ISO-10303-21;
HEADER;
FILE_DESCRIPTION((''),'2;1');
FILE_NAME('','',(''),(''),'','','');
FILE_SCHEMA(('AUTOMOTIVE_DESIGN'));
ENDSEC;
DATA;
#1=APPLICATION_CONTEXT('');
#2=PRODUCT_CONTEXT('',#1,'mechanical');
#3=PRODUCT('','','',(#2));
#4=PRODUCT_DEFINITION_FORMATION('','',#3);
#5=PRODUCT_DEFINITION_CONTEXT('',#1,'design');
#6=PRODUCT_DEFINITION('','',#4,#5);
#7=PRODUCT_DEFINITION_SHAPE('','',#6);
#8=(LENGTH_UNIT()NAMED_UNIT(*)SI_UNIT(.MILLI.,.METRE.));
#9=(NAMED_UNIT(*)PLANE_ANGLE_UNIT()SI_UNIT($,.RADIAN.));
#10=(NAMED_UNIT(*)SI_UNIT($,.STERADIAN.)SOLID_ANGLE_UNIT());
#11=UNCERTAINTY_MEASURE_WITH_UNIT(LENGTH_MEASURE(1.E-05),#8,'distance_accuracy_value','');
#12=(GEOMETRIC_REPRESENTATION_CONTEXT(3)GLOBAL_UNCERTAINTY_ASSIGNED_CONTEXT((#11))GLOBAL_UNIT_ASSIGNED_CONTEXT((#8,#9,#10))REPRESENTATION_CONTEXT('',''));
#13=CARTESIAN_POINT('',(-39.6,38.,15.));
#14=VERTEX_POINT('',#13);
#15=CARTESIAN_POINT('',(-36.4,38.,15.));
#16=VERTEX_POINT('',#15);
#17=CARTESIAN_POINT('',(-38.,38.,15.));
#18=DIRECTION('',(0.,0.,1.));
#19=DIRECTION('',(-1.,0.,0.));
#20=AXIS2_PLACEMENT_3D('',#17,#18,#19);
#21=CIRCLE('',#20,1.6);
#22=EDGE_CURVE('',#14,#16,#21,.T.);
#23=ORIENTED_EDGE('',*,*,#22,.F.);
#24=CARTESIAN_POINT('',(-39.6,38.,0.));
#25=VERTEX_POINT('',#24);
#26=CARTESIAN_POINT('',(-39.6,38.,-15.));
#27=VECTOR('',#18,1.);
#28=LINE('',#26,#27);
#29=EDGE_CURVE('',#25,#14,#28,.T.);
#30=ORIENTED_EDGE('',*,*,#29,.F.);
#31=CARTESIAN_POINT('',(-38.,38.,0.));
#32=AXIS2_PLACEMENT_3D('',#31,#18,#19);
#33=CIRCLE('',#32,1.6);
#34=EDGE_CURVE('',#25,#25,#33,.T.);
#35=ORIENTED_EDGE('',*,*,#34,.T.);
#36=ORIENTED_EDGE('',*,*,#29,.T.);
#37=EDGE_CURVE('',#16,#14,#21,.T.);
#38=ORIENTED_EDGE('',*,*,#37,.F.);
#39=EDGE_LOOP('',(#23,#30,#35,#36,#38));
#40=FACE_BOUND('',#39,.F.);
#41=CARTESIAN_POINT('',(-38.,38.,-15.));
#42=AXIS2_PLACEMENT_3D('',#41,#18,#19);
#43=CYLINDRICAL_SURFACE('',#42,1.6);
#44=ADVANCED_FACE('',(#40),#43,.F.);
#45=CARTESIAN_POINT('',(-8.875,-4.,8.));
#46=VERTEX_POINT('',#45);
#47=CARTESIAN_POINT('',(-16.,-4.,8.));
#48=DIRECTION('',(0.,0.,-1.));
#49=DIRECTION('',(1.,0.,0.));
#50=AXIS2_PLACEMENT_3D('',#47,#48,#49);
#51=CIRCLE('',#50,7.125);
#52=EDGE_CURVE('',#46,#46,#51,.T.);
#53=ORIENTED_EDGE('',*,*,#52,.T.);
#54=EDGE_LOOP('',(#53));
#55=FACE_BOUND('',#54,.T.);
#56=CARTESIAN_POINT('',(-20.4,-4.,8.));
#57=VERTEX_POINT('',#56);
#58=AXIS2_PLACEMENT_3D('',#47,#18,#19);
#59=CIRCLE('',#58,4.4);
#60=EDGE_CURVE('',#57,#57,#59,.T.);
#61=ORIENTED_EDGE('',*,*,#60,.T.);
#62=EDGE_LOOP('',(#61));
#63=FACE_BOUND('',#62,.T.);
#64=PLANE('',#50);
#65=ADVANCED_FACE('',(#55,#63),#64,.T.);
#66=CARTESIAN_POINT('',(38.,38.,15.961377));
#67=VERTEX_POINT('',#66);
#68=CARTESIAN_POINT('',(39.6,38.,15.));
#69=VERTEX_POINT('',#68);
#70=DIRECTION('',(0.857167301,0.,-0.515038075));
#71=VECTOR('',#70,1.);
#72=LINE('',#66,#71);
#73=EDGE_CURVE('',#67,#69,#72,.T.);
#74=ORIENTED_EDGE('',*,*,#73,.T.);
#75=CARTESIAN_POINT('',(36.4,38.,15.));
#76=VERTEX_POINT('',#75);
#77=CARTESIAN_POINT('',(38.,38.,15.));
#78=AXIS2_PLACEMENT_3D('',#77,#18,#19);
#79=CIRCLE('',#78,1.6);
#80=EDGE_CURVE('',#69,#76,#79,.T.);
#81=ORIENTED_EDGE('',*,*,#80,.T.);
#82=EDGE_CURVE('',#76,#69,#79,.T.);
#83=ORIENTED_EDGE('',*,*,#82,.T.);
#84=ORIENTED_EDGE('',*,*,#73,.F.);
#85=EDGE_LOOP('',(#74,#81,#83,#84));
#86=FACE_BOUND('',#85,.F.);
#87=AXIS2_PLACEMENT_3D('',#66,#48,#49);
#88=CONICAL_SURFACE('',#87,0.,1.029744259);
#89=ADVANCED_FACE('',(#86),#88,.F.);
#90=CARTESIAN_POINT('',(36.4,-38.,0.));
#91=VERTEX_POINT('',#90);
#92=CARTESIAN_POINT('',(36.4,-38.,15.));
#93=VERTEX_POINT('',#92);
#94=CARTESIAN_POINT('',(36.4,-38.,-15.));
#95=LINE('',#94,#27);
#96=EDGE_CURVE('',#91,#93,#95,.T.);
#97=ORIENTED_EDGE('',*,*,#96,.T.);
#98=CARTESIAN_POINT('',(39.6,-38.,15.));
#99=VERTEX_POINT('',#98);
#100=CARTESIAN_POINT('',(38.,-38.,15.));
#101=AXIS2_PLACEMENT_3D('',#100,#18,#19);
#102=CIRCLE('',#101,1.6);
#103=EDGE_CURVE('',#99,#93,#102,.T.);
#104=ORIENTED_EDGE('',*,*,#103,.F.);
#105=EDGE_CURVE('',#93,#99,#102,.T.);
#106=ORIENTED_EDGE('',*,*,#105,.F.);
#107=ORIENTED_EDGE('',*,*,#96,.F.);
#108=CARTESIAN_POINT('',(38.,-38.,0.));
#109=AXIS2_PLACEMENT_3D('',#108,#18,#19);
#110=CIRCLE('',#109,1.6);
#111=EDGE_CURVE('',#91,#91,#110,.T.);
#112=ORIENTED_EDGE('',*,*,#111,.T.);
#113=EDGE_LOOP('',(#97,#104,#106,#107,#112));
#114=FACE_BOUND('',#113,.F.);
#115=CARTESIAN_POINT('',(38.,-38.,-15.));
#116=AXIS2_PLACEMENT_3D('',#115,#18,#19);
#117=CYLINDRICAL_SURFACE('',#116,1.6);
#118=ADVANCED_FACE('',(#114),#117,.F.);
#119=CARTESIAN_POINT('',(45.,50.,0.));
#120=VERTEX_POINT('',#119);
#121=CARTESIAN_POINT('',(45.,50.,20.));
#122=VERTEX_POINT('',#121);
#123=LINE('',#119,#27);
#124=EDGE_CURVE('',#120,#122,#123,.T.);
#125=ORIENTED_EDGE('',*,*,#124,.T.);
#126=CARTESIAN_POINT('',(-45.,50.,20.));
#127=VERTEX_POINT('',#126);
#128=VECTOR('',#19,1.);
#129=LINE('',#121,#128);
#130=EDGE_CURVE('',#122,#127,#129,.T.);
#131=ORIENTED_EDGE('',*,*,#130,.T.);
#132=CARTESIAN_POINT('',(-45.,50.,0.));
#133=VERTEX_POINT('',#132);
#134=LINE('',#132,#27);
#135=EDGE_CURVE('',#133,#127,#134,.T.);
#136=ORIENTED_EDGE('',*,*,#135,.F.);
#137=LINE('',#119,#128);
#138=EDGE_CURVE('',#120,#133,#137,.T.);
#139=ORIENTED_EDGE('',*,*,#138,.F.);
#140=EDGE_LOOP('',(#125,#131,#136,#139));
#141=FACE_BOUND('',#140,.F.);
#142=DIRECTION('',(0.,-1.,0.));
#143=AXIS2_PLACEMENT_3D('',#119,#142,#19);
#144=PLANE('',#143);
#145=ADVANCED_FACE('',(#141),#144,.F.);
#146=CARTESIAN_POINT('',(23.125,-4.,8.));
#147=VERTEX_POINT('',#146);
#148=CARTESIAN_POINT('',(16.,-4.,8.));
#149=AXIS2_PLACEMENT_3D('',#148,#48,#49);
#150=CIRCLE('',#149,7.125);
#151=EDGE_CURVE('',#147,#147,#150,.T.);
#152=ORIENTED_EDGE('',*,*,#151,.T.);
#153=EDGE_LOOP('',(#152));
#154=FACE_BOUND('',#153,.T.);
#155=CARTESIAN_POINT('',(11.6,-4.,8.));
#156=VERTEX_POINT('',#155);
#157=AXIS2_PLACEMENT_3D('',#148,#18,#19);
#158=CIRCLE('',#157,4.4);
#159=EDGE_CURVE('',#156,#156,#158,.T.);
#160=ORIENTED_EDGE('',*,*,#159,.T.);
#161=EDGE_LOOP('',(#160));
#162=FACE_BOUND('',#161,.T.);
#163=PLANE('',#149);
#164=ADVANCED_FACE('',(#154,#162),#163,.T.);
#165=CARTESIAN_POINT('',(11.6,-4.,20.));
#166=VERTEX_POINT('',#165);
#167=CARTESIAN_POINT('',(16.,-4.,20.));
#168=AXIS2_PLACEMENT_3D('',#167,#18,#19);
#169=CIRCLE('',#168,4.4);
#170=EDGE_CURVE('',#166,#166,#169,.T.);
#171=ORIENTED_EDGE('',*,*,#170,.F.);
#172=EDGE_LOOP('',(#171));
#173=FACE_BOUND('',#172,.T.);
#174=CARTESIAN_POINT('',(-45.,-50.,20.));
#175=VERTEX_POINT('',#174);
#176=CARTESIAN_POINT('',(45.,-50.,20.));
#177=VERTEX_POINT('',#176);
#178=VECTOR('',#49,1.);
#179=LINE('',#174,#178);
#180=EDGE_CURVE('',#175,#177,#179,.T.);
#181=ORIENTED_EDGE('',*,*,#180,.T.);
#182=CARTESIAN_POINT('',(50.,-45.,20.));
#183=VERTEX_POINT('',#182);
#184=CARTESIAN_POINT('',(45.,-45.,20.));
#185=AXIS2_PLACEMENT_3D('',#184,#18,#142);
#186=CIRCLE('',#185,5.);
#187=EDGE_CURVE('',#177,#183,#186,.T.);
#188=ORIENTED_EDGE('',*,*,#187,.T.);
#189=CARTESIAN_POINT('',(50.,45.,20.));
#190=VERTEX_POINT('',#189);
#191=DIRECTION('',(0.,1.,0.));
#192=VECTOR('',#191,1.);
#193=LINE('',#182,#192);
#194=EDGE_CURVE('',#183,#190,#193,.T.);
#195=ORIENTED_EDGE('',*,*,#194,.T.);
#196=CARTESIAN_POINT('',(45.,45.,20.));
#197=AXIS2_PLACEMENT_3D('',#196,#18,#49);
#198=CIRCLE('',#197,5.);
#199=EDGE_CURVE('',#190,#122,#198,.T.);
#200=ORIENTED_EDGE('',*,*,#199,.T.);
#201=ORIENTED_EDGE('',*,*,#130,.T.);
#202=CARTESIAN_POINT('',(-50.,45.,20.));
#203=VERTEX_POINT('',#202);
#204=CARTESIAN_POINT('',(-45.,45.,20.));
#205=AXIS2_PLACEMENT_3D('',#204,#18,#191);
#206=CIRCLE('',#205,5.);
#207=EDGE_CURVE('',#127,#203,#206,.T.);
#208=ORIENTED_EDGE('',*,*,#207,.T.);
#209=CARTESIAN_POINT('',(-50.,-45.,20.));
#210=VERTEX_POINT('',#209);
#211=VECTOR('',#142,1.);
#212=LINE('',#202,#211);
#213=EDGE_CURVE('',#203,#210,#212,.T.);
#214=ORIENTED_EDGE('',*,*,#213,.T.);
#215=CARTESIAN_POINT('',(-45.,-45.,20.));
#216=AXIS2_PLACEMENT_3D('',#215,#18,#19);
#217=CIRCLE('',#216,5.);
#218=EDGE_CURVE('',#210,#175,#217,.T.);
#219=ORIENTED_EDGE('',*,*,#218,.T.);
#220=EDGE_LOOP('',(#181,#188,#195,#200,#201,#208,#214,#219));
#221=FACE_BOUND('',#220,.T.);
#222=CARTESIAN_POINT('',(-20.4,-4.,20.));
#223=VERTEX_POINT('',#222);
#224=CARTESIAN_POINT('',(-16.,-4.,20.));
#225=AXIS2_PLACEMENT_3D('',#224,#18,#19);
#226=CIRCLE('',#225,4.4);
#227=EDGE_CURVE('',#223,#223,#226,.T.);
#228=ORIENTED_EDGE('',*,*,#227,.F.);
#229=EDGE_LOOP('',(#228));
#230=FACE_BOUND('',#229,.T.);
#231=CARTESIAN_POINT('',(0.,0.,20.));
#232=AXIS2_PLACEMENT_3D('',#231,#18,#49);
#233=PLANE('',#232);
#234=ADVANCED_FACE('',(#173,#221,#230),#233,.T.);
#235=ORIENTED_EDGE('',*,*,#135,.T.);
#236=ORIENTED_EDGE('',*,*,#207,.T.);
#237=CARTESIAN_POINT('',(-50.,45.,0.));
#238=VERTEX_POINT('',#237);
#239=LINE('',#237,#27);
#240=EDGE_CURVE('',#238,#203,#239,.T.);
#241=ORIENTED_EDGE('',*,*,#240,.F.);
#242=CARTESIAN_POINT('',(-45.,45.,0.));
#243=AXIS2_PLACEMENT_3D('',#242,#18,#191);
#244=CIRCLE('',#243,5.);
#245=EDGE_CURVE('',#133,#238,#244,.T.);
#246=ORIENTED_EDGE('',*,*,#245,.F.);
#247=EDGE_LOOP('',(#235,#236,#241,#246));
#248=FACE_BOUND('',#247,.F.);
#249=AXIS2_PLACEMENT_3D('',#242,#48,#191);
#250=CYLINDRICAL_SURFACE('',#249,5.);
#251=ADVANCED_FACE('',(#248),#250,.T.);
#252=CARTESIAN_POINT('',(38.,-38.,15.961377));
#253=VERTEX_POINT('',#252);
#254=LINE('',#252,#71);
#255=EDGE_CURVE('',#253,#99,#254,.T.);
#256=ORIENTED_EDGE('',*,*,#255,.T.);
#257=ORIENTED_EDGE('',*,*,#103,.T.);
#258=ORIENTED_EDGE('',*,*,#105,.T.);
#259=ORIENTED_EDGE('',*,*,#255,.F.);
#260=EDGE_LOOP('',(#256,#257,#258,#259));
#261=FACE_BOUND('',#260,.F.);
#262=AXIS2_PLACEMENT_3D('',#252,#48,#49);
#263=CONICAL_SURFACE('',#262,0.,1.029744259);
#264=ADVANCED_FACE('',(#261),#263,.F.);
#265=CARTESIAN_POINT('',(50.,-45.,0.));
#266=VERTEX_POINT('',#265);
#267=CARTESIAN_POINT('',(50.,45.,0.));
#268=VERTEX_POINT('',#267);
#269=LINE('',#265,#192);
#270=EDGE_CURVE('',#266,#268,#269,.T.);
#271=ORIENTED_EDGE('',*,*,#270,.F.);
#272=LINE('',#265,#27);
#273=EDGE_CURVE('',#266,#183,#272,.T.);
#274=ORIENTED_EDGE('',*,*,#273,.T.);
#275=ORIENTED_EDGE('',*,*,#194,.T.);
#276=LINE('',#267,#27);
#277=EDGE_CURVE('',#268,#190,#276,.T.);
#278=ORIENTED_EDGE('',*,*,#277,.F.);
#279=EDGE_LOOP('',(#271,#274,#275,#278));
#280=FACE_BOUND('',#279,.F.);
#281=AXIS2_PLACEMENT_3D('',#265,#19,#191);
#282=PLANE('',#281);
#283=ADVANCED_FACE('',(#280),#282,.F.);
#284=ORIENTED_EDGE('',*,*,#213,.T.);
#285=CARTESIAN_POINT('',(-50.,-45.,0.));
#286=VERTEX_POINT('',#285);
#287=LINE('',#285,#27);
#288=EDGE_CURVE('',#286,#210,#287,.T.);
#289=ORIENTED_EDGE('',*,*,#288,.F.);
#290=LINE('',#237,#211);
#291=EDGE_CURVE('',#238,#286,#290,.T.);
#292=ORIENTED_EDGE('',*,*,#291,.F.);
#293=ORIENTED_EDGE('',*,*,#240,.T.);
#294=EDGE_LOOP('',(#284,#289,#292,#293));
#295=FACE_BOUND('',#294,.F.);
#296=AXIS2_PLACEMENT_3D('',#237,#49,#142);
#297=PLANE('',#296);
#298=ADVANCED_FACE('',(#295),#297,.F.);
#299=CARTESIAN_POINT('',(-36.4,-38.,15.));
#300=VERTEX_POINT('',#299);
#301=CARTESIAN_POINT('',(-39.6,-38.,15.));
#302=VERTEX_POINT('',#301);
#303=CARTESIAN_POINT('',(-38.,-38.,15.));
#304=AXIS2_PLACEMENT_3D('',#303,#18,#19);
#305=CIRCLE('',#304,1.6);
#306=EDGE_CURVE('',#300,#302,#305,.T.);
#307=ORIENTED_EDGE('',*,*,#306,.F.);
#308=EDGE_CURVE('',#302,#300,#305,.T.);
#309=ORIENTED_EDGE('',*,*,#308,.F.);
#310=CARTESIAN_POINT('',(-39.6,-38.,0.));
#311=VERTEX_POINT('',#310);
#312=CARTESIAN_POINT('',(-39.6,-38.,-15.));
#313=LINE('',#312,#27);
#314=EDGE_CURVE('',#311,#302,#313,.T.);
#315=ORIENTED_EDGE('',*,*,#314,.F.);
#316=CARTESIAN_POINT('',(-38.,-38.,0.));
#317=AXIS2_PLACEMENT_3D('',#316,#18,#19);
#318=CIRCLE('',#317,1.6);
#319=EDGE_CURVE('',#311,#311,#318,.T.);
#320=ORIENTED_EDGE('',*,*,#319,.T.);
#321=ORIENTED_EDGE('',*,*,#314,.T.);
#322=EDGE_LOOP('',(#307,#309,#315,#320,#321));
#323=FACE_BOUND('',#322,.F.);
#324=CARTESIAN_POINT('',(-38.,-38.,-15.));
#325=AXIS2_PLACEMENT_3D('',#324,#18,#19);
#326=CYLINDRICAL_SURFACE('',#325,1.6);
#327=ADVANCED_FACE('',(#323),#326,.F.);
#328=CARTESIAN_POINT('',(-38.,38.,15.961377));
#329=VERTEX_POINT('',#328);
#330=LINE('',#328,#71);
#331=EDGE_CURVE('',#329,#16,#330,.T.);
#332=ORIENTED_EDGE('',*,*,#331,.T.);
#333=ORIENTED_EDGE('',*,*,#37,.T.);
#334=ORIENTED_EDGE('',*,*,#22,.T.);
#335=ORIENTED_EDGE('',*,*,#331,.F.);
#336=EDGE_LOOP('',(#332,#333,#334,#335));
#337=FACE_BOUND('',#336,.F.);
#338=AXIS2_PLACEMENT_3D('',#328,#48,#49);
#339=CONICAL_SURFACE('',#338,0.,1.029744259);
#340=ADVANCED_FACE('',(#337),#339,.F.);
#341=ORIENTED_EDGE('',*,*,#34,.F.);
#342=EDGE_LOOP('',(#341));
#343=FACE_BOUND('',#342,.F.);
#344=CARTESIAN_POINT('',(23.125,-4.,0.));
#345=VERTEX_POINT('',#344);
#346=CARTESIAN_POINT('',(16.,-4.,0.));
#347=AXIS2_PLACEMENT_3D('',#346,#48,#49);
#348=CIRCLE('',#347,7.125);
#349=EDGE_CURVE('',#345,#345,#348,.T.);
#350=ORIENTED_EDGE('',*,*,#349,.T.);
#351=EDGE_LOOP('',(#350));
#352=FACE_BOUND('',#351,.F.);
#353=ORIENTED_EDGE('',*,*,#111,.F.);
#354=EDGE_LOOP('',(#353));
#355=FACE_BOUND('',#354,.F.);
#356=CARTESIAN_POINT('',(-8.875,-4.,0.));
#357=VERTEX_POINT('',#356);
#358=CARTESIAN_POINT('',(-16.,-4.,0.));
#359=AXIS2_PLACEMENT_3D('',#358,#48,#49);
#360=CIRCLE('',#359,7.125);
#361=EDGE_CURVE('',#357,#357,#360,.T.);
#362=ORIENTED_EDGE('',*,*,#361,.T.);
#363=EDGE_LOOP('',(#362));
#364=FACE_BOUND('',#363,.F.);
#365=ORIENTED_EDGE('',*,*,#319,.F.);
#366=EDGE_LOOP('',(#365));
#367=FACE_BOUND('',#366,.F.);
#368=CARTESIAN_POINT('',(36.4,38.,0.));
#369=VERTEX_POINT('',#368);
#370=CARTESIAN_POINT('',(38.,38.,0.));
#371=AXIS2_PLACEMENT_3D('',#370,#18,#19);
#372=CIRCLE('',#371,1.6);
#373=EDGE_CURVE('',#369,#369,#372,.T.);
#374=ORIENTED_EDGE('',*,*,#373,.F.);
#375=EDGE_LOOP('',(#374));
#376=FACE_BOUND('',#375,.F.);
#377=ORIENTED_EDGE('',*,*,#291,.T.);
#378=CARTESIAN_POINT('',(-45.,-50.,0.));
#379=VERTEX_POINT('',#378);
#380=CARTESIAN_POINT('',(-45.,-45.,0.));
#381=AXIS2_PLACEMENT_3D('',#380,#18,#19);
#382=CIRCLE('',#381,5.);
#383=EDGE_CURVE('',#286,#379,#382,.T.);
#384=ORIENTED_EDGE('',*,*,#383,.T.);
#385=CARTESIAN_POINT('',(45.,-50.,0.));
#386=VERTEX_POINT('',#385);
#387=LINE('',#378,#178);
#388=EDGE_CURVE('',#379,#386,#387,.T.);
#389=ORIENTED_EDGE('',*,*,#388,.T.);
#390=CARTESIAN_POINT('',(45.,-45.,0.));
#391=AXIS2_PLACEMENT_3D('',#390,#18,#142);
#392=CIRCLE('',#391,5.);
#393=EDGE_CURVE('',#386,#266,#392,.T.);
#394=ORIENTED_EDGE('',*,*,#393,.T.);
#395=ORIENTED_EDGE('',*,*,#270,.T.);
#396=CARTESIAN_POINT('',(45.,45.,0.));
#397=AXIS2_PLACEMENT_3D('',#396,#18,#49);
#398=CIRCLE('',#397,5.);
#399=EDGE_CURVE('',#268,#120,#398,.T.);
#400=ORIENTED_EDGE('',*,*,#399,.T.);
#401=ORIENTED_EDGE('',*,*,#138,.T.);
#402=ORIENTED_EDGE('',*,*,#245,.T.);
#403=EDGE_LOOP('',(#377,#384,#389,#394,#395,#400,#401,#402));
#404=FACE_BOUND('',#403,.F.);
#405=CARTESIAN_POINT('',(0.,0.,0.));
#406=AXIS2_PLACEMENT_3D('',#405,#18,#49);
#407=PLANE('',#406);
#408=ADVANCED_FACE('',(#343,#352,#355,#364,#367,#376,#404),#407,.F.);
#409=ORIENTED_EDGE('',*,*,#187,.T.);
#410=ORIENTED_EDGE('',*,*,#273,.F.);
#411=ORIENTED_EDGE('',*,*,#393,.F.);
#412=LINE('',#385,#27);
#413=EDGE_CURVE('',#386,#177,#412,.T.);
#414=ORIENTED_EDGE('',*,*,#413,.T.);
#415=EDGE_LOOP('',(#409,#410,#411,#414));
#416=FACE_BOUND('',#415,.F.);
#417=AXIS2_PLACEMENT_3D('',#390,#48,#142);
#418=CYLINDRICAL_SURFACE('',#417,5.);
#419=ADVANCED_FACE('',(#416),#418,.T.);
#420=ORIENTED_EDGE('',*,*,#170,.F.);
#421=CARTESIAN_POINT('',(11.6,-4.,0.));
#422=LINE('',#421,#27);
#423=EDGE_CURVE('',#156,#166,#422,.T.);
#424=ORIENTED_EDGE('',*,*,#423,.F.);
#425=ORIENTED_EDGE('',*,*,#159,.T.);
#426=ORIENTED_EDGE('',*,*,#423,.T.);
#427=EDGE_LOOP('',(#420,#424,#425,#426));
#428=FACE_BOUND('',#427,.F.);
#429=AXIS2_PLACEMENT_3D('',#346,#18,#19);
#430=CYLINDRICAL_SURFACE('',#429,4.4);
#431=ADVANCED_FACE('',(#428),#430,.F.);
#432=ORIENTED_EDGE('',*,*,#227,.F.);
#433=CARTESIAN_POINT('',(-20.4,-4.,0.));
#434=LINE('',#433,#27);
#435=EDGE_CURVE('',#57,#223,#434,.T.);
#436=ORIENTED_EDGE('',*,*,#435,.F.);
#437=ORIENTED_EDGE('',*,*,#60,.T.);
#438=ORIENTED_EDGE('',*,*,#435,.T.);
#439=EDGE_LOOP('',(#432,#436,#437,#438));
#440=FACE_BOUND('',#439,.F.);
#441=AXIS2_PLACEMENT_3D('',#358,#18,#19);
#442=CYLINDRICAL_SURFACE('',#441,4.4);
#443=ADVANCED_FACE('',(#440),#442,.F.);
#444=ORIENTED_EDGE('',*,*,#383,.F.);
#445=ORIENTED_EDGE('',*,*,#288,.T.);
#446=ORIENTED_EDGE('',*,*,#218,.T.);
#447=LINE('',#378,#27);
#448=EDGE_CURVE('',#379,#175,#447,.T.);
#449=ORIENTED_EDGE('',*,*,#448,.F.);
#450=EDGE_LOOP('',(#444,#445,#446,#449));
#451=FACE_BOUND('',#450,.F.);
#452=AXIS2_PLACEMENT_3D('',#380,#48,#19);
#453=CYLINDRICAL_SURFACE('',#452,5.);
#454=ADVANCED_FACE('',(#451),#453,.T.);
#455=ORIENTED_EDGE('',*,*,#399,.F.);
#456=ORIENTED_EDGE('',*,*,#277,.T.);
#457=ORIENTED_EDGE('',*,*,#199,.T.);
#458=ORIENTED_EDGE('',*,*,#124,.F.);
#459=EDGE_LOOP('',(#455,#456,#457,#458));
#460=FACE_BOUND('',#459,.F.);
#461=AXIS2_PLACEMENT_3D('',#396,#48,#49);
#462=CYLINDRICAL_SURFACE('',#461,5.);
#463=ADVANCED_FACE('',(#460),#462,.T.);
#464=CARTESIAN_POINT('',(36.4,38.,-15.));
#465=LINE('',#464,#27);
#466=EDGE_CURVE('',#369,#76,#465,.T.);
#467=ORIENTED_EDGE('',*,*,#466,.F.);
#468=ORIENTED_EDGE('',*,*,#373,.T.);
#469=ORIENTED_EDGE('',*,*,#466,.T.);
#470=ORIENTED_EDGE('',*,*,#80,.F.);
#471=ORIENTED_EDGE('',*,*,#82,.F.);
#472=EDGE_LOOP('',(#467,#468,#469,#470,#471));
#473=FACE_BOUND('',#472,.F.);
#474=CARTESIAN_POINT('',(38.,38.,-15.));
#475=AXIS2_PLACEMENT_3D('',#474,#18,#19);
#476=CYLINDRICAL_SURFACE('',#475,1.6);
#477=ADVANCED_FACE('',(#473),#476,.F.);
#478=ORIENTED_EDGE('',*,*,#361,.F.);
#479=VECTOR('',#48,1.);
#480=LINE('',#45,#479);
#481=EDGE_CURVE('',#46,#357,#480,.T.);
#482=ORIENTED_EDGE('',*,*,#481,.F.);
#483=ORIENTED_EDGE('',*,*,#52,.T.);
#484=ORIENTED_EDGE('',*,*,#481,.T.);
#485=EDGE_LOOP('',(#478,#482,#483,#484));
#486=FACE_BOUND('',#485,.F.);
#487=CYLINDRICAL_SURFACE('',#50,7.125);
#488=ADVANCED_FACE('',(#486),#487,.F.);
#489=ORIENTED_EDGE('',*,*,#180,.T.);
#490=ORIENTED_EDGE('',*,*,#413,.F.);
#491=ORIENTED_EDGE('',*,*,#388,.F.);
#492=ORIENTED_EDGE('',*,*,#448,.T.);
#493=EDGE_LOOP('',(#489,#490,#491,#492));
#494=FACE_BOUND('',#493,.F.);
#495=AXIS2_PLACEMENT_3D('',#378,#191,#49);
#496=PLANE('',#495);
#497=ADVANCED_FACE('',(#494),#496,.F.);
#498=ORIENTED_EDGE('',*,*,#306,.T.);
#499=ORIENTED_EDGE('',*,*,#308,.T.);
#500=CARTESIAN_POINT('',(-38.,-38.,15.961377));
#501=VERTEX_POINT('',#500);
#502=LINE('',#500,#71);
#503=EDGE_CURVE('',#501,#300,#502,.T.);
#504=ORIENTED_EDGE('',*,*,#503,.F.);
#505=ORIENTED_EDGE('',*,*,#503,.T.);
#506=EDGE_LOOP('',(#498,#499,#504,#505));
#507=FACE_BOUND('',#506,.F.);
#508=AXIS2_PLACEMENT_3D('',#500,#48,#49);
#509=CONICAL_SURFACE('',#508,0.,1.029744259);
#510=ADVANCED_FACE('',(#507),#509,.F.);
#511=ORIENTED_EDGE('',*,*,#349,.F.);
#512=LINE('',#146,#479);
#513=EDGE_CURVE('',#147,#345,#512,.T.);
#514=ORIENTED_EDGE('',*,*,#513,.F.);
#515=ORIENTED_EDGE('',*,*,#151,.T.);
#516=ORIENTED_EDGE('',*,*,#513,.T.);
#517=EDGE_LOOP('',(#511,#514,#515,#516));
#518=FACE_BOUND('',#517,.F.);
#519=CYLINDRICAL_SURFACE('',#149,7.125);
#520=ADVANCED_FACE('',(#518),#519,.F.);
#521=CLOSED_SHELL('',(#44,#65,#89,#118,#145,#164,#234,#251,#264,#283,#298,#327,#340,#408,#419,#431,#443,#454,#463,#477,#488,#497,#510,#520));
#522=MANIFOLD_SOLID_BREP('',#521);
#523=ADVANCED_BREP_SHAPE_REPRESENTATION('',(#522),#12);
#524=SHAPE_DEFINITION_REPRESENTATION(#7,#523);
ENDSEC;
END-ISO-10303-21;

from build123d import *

# Parameters (mm, degrees)
F1_DEPTH       = 20
F3_D           = 8.8
F3_CBORE_D     = 14.25
F3_CBORE_DEPTH = 8
F5_D           = 3.2
F5_DEPTH       = 15
F5_TIP         = 0.9613769904


with BuildPart() as f1:
    # F0 (on Top) → F1 (new body)
    with BuildSketch(Plane.XY):
        with BuildLine():
            ThreePointArc((-50, -45), (-48.5355339059, -48.5355339059), (-45, -50))
            Line((-45, -50), (45, -50))
            ThreePointArc((45, -50), (48.5355339059, -48.5355339059), (50, -45))
            Line((50, -45), (50, 45))
            ThreePointArc((50, 45), (48.5355339059, 48.5355339059), (45, 50))
            Line((45, 50), (-45, 50))
            ThreePointArc((-45, 50), (-48.5355339059, 48.5355339059), (-50, 45))
            Line((-50, 45), (-50, -45))
        make_face()
    extrude(amount=F1_DEPTH)

    # F3 (through all)
    with Locations(Plane(origin=(0, 0, 0), x_dir=(1, 0, 0), z_dir=(0, 0, -1))):
        with Locations((-16, 4), (16, 4)):
            CounterBoreHole(F3_D / 2, F3_CBORE_D / 2, F3_CBORE_DEPTH)

    # F5
    with Locations(Plane(origin=(0, 0, 0), x_dir=(1, 0, 0), z_dir=(0, 0, -1))):
        with Locations((-38, 38), (38, 38), (38, -38), (-38, -38)):
            Hole(F5_D / 2, depth=F5_DEPTH)
            with Locations((0, 0, -(F5_DEPTH + F5_TIP / 2))):  # 118° drill point
                Cone(0, F5_D / 2, F5_TIP, mode=Mode.SUBTRACT)


solid = f1.part
